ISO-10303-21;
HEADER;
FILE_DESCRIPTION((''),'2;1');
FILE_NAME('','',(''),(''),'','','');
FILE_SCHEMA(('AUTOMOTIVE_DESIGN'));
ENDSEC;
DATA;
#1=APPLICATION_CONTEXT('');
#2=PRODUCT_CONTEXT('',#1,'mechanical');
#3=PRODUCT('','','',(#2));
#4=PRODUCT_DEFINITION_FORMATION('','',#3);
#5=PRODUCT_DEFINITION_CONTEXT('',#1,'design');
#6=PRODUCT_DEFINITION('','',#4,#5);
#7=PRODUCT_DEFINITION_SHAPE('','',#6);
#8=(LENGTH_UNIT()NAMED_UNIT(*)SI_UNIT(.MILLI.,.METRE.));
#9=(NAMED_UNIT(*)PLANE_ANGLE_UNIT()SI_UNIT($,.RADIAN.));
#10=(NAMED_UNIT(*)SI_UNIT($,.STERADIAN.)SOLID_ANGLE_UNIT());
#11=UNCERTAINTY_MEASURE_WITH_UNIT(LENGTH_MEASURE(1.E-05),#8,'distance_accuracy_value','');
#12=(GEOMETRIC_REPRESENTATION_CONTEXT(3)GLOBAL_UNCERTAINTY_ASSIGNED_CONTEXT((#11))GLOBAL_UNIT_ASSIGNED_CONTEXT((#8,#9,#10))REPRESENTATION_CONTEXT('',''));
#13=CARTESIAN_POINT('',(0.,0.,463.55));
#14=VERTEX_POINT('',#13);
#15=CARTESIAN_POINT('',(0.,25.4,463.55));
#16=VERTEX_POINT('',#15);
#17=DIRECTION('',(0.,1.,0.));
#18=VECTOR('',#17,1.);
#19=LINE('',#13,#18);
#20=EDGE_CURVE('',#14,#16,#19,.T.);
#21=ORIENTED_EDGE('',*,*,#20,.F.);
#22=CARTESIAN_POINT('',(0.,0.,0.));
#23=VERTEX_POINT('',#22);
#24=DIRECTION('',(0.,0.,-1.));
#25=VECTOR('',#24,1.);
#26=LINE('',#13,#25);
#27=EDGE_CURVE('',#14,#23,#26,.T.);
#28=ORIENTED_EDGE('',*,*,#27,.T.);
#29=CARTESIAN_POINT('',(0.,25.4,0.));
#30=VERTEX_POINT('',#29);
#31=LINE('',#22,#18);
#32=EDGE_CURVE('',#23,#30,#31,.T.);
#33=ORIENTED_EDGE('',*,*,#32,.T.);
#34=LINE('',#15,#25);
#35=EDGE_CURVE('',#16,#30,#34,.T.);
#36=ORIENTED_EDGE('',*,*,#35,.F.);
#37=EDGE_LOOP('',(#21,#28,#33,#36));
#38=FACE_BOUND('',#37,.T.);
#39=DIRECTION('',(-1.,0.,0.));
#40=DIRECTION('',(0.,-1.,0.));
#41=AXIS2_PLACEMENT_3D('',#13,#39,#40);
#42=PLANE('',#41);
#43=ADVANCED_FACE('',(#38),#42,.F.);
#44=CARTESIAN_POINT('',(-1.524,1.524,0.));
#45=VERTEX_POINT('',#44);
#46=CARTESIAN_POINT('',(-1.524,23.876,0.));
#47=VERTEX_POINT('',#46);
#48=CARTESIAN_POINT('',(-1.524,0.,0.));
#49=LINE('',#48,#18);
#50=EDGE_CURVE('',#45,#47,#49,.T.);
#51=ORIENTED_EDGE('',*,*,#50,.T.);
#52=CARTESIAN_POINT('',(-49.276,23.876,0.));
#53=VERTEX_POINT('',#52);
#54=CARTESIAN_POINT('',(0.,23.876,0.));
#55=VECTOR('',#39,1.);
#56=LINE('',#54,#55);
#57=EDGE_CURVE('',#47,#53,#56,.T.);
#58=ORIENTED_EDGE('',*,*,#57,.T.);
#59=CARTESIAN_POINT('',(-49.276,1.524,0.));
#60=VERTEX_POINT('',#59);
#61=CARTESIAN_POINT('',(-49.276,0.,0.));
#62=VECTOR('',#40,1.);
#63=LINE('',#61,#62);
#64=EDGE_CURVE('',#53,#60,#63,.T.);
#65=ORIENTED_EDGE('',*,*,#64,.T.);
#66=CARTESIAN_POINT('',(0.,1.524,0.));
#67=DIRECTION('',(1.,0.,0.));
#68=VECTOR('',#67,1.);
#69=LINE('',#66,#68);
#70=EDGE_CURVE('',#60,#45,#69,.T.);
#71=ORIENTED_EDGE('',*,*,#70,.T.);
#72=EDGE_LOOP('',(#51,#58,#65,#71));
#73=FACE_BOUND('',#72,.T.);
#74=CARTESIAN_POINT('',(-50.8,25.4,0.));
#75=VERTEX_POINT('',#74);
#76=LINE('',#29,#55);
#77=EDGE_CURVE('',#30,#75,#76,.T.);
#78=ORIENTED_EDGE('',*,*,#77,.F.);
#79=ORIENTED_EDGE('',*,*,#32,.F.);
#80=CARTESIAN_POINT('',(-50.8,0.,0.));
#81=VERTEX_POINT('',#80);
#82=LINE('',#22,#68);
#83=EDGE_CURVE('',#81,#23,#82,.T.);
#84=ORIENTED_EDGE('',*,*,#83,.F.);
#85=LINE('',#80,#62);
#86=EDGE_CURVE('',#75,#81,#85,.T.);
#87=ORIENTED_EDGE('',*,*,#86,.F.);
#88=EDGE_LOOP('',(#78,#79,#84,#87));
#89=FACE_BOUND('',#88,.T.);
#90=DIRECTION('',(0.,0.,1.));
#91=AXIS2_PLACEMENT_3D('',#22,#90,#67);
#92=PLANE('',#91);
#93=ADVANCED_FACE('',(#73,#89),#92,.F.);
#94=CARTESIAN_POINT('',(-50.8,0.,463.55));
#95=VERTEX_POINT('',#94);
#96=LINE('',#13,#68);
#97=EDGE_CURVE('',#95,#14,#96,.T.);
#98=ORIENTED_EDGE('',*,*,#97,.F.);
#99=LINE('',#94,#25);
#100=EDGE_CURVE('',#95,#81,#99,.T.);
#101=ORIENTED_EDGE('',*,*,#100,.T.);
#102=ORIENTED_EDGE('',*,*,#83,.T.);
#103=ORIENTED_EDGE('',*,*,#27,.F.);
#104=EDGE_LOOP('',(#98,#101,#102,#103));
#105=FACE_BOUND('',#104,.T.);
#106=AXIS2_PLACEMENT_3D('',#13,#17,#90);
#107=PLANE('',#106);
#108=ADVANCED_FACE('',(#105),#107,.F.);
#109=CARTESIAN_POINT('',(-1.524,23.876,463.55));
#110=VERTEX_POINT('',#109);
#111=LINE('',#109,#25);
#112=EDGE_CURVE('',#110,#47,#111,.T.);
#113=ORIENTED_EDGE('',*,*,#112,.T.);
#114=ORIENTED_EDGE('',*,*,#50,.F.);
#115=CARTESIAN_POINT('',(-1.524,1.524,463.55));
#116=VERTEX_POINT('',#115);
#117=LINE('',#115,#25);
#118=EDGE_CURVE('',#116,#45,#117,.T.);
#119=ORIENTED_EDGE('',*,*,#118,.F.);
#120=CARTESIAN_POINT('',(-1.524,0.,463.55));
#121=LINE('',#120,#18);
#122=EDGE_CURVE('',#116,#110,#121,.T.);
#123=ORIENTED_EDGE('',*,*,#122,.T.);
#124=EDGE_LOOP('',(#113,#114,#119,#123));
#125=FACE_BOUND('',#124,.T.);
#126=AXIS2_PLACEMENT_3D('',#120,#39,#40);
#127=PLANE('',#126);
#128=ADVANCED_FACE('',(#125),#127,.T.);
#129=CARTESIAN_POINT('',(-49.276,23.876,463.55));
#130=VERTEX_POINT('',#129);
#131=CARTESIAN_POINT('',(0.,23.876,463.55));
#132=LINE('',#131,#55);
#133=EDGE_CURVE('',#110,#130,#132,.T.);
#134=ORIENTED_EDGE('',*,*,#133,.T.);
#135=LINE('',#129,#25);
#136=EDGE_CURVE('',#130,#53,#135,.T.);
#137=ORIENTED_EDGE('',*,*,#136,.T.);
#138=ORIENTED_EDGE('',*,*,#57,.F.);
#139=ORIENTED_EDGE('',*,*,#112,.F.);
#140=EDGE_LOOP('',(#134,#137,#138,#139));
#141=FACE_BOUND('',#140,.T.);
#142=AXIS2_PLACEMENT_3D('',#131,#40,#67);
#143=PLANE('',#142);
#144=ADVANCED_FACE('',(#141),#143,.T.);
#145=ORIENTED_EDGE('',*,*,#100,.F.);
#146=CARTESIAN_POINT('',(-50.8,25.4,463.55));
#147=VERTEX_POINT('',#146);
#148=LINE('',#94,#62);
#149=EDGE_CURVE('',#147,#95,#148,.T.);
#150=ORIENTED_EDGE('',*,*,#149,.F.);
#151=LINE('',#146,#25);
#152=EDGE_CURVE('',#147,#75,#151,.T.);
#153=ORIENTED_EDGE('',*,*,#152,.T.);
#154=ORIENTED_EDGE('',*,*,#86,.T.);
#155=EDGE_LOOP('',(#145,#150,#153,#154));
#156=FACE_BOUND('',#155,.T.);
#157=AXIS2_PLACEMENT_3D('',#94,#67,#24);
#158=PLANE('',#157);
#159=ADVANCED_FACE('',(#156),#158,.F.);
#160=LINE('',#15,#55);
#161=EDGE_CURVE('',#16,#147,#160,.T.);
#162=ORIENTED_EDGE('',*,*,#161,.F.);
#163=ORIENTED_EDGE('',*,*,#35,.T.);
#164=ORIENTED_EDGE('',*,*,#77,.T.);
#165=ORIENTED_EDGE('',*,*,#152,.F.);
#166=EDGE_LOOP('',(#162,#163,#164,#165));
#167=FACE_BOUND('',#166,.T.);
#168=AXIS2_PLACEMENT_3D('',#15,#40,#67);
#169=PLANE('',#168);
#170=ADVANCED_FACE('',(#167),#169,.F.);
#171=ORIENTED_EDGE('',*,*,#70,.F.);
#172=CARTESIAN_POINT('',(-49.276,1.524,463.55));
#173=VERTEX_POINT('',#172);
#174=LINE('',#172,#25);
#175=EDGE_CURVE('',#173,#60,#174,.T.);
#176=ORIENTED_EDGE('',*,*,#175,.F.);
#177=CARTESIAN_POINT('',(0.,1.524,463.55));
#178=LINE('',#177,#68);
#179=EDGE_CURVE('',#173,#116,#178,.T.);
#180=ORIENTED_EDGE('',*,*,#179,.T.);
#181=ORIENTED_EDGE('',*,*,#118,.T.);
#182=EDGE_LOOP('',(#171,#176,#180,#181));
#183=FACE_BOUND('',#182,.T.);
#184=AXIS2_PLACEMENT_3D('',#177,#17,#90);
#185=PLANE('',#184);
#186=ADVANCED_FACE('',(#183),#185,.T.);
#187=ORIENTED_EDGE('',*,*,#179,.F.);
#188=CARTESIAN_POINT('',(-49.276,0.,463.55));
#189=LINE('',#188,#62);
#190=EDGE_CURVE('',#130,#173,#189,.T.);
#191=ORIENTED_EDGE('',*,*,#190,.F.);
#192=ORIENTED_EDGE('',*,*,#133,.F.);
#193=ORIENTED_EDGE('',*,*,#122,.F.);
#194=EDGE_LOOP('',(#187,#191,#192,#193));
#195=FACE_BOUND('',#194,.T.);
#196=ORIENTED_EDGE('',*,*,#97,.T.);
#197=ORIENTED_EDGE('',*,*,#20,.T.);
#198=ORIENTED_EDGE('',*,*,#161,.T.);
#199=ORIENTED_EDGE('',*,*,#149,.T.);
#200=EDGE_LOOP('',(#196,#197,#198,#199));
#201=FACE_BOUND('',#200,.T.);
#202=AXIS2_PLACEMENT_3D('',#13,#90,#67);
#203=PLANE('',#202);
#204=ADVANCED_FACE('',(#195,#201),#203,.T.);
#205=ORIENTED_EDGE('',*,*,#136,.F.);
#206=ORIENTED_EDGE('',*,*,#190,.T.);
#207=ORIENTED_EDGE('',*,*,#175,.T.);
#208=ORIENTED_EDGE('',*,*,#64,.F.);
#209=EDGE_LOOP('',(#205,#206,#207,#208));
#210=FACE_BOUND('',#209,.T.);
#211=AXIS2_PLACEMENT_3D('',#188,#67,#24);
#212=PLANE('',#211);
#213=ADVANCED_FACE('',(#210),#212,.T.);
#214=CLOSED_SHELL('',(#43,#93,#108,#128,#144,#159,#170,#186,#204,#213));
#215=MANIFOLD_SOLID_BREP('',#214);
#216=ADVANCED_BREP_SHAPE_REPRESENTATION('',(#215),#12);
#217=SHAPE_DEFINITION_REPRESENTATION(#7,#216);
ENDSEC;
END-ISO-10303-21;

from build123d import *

# Parameters (mm, degrees)
SKETCH1_W           = 50.8
SKETCH1_H           = 25.4
SKETCH1_W_2         = 47.752
SKETCH1_H_2         = 22.352
EXTRUDE_THIN1_DEPTH = 463.55


with BuildPart() as part:
    # Sketch1 → Extrude-Thin1 (new body)
    with BuildSketch(Plane.XY):
        with Locations((-25.4, 12.7)):
            Rectangle(SKETCH1_W, SKETCH1_H)
        with Locations((-25.4, 12.7)):
            Rectangle(SKETCH1_W_2, SKETCH1_H_2, mode=Mode.SUBTRACT)
    extrude(amount=EXTRUDE_THIN1_DEPTH)


solid = part.part
